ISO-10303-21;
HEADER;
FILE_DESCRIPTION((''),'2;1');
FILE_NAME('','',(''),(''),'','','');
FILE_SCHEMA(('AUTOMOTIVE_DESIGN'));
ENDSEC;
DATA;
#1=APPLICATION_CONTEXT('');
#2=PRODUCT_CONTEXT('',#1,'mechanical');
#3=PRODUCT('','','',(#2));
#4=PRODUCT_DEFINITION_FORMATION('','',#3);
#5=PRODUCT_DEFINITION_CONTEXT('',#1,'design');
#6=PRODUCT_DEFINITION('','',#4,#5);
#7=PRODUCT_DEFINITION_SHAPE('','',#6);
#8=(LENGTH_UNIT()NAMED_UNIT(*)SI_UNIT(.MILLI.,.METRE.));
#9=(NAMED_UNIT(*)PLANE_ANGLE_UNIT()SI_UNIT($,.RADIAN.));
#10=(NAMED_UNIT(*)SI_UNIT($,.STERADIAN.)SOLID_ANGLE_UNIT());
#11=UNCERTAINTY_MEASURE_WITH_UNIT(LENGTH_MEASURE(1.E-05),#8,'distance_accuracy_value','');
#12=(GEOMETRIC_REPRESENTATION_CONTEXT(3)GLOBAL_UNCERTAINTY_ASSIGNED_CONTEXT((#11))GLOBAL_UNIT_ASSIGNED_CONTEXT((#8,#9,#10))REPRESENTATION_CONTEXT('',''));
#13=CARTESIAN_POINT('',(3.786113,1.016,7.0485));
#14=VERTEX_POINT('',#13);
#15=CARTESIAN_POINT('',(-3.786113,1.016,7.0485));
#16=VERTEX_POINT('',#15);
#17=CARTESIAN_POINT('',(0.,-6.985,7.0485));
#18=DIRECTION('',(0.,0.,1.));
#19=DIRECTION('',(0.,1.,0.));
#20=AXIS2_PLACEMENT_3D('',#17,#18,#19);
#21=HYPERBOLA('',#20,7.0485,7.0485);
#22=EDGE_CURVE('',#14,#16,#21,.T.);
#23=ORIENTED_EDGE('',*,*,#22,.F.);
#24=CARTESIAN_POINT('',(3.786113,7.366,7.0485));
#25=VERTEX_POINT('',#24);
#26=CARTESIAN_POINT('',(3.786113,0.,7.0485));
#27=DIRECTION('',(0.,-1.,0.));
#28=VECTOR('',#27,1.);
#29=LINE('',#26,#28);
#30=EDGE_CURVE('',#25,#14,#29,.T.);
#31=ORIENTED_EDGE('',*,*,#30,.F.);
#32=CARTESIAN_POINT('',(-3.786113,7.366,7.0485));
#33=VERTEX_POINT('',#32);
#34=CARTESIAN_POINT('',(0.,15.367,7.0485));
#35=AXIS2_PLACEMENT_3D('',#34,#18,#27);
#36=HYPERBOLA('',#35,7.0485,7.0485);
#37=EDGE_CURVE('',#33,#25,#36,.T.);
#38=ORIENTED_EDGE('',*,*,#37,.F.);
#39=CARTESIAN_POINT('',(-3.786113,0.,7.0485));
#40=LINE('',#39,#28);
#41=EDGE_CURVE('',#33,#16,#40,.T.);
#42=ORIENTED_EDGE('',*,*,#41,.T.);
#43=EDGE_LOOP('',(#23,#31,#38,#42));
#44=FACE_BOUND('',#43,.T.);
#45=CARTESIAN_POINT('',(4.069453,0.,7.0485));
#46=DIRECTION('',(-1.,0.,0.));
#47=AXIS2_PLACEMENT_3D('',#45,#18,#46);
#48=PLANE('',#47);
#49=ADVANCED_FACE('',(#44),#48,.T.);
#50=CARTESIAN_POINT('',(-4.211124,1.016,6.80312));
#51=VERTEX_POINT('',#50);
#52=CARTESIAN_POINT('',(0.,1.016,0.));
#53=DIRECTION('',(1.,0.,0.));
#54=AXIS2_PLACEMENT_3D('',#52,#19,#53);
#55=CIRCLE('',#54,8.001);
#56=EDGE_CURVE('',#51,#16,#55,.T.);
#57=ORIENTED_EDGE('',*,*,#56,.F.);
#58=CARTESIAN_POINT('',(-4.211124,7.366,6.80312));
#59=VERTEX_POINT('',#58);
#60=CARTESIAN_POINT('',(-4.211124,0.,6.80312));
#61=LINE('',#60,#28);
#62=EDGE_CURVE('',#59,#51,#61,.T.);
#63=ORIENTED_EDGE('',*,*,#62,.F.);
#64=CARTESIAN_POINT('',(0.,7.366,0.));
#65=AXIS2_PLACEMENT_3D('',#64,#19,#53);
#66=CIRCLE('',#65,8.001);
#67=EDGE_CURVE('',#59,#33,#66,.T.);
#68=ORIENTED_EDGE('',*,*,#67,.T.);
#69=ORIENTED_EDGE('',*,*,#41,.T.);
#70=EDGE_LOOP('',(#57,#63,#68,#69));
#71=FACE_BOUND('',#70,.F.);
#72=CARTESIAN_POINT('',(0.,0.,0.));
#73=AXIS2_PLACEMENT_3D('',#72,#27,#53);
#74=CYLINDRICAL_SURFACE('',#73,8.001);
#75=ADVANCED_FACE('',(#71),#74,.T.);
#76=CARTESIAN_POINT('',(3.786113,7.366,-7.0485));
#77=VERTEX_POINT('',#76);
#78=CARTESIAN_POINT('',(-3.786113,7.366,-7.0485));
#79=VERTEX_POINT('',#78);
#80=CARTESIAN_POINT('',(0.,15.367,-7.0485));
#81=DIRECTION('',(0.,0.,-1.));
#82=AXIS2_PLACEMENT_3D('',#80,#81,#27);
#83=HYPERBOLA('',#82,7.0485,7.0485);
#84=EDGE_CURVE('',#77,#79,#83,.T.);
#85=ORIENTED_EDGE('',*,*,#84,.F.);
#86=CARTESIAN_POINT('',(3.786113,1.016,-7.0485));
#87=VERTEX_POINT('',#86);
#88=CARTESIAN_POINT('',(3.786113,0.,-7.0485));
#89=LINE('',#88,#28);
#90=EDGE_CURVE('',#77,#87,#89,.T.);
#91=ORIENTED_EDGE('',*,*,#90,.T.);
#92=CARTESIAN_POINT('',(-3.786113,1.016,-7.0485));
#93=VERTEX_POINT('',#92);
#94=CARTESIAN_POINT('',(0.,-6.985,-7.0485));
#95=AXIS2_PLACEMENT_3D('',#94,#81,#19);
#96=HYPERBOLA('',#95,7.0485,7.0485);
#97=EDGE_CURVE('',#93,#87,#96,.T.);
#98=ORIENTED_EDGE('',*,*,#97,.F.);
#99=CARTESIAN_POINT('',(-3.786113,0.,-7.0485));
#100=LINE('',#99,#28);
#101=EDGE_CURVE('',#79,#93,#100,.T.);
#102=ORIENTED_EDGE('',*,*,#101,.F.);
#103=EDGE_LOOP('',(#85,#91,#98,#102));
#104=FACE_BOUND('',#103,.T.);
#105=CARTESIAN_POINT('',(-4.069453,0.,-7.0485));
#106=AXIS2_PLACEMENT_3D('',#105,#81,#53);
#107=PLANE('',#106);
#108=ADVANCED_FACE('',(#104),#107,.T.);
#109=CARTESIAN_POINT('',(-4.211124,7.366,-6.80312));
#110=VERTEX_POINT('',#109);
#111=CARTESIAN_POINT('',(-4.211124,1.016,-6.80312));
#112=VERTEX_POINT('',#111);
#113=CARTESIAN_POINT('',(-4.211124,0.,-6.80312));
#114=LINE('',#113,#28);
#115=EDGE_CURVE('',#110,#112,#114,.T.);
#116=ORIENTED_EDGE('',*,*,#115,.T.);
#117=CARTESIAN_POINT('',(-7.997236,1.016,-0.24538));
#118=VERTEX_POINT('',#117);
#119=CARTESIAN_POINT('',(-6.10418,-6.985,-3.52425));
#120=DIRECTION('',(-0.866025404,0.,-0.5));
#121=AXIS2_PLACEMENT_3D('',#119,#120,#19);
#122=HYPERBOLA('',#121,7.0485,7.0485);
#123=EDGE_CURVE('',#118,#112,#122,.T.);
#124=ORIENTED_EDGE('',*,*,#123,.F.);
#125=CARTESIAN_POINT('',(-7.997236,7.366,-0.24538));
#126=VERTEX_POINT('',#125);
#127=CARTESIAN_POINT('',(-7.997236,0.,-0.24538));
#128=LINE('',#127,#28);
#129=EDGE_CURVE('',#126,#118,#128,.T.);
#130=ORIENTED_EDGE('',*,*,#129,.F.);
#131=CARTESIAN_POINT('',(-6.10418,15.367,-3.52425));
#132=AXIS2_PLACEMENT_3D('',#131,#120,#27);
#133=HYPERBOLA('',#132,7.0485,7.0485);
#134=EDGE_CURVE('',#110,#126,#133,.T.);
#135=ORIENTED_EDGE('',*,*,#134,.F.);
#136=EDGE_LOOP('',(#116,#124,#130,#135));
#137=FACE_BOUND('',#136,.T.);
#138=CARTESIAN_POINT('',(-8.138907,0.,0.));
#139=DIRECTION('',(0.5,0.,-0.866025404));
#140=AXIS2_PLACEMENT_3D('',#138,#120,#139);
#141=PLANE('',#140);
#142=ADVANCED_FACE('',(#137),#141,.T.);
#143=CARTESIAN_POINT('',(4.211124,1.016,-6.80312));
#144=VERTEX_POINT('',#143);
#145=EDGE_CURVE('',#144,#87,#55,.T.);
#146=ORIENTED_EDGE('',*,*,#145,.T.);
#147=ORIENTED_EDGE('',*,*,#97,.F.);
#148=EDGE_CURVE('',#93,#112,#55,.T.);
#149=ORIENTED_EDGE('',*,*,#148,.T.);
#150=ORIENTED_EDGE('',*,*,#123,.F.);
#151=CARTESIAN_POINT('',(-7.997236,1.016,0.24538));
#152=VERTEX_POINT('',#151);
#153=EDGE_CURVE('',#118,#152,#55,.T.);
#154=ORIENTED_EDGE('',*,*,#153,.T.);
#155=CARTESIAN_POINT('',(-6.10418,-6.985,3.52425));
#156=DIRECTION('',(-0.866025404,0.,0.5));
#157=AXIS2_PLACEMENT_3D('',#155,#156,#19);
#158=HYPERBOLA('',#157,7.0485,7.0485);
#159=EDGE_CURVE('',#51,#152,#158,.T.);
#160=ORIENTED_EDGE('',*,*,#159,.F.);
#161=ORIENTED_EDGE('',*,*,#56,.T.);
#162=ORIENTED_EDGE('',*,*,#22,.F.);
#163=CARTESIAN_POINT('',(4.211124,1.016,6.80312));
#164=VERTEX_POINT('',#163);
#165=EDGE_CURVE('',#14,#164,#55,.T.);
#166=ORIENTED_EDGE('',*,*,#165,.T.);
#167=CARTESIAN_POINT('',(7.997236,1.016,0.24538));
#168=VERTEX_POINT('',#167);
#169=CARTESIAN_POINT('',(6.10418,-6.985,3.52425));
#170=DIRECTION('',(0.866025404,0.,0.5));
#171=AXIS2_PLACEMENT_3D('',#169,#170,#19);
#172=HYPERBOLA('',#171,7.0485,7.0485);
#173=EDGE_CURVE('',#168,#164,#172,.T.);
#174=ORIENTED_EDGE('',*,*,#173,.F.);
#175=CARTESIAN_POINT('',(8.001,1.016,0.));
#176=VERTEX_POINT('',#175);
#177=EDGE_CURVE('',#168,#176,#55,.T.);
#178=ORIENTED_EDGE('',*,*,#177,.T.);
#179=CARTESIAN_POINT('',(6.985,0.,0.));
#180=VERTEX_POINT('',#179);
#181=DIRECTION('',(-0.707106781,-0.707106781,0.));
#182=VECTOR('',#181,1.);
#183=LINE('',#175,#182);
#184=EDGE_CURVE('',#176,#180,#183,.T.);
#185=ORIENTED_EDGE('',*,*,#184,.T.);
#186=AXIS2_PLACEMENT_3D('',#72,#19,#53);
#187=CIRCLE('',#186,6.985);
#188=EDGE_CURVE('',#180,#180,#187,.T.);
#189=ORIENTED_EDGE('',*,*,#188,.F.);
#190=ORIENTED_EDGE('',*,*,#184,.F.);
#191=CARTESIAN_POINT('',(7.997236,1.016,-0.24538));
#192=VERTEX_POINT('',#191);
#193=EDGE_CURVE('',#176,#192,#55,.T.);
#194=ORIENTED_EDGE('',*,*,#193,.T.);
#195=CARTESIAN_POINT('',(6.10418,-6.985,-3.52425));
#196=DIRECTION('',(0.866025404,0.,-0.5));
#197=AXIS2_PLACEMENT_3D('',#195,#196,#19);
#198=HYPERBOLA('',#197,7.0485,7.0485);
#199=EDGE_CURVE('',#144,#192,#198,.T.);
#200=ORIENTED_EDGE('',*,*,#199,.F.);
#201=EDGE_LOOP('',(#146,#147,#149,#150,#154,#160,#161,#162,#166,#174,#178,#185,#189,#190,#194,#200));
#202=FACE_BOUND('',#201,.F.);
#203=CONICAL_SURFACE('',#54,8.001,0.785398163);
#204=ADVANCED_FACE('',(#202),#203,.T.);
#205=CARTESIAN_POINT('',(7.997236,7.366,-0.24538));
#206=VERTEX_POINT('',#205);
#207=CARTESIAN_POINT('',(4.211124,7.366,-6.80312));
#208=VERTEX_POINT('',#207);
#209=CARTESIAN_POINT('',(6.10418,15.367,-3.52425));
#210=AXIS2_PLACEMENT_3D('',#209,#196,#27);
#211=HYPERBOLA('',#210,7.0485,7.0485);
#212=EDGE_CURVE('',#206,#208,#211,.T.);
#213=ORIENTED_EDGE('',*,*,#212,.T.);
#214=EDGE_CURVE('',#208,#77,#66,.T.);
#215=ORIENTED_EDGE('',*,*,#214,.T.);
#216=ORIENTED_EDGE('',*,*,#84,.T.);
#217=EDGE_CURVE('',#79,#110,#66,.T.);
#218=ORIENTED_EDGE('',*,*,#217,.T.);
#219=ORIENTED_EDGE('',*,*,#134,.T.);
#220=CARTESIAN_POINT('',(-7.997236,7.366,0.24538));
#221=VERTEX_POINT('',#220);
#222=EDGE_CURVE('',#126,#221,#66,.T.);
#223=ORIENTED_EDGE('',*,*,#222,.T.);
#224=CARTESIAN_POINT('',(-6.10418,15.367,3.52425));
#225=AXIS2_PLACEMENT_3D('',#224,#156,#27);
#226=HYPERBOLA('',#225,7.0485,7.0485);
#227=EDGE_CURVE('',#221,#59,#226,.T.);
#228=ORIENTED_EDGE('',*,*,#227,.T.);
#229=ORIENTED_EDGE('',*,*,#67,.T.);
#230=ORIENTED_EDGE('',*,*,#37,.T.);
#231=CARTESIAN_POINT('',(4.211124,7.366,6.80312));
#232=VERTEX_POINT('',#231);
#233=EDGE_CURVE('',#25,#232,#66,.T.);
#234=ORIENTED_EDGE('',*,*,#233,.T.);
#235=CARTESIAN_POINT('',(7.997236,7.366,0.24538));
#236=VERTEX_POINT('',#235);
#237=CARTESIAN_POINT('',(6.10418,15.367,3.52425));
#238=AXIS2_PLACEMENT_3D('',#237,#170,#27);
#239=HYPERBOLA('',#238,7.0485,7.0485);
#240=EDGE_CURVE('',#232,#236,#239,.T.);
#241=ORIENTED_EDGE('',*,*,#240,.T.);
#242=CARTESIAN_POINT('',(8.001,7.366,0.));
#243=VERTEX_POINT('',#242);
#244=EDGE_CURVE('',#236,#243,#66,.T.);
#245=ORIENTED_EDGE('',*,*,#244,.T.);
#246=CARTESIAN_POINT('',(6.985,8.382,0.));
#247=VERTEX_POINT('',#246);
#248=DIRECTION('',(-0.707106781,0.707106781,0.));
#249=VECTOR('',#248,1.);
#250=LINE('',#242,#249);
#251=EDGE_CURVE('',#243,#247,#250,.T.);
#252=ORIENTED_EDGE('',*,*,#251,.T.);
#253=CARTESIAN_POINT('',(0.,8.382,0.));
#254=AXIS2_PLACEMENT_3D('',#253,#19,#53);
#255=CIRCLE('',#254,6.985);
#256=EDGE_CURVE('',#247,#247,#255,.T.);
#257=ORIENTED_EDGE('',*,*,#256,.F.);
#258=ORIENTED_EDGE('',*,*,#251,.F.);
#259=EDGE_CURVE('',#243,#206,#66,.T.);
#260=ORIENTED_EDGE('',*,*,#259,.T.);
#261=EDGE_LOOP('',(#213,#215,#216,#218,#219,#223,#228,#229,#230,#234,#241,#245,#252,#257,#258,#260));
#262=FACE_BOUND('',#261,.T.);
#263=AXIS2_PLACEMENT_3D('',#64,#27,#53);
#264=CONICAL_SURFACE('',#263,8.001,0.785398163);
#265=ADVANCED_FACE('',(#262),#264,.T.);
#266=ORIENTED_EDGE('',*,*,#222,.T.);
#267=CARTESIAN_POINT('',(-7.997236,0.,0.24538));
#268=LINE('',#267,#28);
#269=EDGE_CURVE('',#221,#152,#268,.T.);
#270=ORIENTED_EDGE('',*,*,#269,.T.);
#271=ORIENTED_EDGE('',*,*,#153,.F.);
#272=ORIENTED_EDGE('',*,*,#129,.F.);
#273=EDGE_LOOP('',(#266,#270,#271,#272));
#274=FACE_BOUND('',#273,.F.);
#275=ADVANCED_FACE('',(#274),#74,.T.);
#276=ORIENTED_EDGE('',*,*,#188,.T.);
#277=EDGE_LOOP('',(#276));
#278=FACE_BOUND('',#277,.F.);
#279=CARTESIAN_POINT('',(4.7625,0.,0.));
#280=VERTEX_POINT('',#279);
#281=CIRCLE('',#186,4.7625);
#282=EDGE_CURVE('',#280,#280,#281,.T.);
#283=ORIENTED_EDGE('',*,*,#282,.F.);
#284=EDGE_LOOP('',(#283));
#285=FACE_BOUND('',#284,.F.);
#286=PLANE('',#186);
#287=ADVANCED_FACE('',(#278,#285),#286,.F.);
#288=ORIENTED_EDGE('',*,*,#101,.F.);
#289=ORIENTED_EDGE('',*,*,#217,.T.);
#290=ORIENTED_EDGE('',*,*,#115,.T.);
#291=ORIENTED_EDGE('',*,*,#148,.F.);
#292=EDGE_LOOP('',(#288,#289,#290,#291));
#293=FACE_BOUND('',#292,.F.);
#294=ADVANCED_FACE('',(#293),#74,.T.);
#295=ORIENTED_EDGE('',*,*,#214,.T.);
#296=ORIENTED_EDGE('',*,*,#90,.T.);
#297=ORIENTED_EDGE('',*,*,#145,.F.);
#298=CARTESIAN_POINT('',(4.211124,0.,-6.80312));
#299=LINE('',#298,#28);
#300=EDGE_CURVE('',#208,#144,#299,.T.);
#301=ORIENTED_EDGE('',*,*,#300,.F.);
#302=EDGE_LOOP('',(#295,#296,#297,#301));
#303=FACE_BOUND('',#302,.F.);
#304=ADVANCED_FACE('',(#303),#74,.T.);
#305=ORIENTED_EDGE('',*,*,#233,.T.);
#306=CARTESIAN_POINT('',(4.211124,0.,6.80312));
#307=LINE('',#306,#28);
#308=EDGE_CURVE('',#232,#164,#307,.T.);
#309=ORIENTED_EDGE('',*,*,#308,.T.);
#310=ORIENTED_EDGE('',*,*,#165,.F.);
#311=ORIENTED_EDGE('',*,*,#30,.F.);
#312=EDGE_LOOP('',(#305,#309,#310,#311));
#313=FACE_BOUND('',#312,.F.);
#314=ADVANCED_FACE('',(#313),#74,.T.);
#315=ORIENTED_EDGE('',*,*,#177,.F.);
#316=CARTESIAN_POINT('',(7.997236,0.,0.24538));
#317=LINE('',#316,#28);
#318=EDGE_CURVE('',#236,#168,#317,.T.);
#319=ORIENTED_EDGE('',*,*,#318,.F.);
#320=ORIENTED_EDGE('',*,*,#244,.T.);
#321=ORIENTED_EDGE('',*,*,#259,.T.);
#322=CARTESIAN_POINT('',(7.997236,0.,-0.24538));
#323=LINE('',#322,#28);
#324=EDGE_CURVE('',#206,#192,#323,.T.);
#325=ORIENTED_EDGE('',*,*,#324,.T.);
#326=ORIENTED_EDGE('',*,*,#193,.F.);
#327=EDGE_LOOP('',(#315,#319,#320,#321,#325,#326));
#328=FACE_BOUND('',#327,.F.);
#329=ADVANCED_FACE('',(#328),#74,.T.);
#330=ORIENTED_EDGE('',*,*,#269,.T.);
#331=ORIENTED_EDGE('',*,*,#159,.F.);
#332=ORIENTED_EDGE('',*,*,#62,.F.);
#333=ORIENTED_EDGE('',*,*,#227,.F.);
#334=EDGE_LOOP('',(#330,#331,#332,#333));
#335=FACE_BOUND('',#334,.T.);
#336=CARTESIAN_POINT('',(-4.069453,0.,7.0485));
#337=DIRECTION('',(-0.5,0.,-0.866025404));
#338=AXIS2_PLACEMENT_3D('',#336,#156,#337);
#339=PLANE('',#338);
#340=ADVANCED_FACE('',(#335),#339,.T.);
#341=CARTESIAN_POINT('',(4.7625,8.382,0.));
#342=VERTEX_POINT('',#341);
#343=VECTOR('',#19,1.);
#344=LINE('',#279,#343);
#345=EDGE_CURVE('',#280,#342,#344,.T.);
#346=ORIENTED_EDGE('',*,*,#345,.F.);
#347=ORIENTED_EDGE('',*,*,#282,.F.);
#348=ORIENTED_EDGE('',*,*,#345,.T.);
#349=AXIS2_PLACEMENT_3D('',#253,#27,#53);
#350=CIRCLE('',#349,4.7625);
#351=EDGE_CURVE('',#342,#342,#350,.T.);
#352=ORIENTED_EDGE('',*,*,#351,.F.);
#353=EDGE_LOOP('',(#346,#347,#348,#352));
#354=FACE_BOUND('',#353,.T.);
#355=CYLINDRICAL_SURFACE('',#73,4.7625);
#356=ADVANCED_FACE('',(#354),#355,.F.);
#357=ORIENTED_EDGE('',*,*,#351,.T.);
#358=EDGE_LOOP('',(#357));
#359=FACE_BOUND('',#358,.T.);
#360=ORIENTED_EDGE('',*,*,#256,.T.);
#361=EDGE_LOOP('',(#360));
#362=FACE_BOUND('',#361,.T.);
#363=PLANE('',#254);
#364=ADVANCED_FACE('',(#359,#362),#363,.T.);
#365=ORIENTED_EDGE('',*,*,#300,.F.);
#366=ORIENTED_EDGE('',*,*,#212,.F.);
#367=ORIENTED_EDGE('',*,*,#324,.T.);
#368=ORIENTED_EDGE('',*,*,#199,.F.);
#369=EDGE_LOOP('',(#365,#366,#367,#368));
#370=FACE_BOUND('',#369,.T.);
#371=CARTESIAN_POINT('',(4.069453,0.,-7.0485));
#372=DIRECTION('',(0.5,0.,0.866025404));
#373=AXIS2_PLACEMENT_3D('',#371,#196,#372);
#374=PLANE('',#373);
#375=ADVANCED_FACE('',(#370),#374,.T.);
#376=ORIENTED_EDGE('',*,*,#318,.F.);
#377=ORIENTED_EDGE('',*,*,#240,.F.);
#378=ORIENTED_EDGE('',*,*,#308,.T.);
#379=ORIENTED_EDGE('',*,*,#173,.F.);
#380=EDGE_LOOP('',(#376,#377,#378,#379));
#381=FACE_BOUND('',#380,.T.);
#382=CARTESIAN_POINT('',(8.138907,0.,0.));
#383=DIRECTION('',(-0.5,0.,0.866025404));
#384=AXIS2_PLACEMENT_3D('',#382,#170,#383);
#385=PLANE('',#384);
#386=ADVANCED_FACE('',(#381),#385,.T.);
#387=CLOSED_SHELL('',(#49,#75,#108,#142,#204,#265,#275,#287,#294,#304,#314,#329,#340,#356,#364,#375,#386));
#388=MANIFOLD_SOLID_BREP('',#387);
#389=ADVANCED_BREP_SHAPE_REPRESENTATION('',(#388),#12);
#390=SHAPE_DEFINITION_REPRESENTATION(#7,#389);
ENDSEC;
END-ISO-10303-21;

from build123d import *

# Parameters (mm, degrees)
SKETCH2_R      = 8.001
EXTRUDE2_DEPTH = 8.382
CHAMFER1_SIZE  = 1.016
EXTRUDE3_REACH = 10.382
SKETCH1_R      = 4.7625


with BuildPart() as part:
    # Sketch2 → Extrude2 (new body)
    with BuildSketch(Plane(origin=(0, 0, 0), x_dir=(1, 0, 0), z_dir=(0, 1, 0))):
        Circle(SKETCH2_R)
    extrude(amount=EXTRUDE2_DEPTH)

    # Chamfer1
    chamfer1_edges = [part.edges().sort_by_distance(p)[0] for p in [
        (-8.001, 0, 0),
        (-8.001, 8.382, 0),
    ]]
    chamfer(chamfer1_edges, length=CHAMFER1_SIZE)

    # Sketch1 → Extrude3 (cut, up to next)
    with BuildSketch(Plane(origin=(0, 0, 0), x_dir=(1, 0, 0), z_dir=(0, 1, 0)), mode=Mode.PRIVATE) as extrude3_sk1:
        with BuildLine():
            ThreePointArc((-8.138906745, 0), (-7.0485, -4.069453372), (-4.069453372, -7.0485))
            Line((-4.069453372, -7.0485), (-8.138906745, 0))
        make_face()
    extrude3_tool1 = extrude(extrude3_sk1.sketch, amount=EXTRUDE3_REACH, mode=Mode.PRIVATE) & part.part
    add(extrude3_tool1.solids().sort_by_distance((-6.484164, 0, 3.743634))[0], mode=Mode.SUBTRACT)
    # Sketch1 → Extrude3 (cut, up to next)
    with BuildSketch(Plane(origin=(0, 0, 0), x_dir=(1, 0, 0), z_dir=(0, 1, 0)), mode=Mode.PRIVATE) as extrude3_sk2:
        with BuildLine():
            ThreePointArc((-4.069453372, 7.0485), (-7.0485, 4.069453372), (-8.138906745, 0))
            Line((-8.138906745, 0), (-4.069453372, 7.0485))
        make_face()
    extrude3_tool2 = extrude(extrude3_sk2.sketch, amount=EXTRUDE3_REACH, mode=Mode.PRIVATE) & part.part
    add(extrude3_tool2.solids().sort_by_distance((-6.484164, 0, -3.743634))[0], mode=Mode.SUBTRACT)
    # Sketch1 → Extrude3 (cut, up to next)
    with BuildSketch(Plane(origin=(0, 0, 0), x_dir=(1, 0, 0), z_dir=(0, 1, 0)), mode=Mode.PRIVATE) as extrude3_sk3:
        Circle(SKETCH1_R)
    extrude3_tool3 = extrude(extrude3_sk3.sketch, amount=EXTRUDE3_REACH, mode=Mode.PRIVATE) & part.part
    add(extrude3_tool3.solids().sort_by_distance((0, 0, 0))[0], mode=Mode.SUBTRACT)
    # Sketch1 → Extrude3 (cut, up to next)
    with BuildSketch(Plane(origin=(0, 0, 0), x_dir=(1, 0, 0), z_dir=(0, 1, 0)), mode=Mode.PRIVATE) as extrude3_sk4:
        with BuildLine():
            Line((-4.069453372, 7.0485), (4.069453372, 7.0485))
            ThreePointArc((4.069453372, 7.0485), (0, 8.138906745), (-4.069453372, 7.0485))
        make_face()
    extrude3_tool4 = extrude(extrude3_sk4.sketch, amount=EXTRUDE3_REACH, mode=Mode.PRIVATE) & part.part
    add(extrude3_tool4.solids().sort_by_distance((0, 0, -7.487268))[0], mode=Mode.SUBTRACT)
    # Sketch1 → Extrude3 (cut, up to next)
    with BuildSketch(Plane(origin=(0, 0, 0), x_dir=(1, 0, 0), z_dir=(0, 1, 0)), mode=Mode.PRIVATE) as extrude3_sk5:
        with BuildLine():
            Line((4.069453372, 7.0485), (8.138906745, 0))
            ThreePointArc((8.138906745, 0), (7.0485, 4.069453372), (4.069453372, 7.0485))
        make_face()
    extrude3_tool5 = extrude(extrude3_sk5.sketch, amount=EXTRUDE3_REACH, mode=Mode.PRIVATE) & part.part
    add(extrude3_tool5.solids().sort_by_distance((6.484164, 0, -3.743634))[0], mode=Mode.SUBTRACT)
    # Sketch1 → Extrude3 (cut, up to next)
    with BuildSketch(Plane(origin=(0, 0, 0), x_dir=(1, 0, 0), z_dir=(0, 1, 0)), mode=Mode.PRIVATE) as extrude3_sk6:
        with BuildLine():
            Line((8.138906745, 0), (4.069453372, -7.0485))
            ThreePointArc((4.069453372, -7.0485), (7.0485, -4.069453372), (8.138906745, 0))
        make_face()
    extrude3_tool6 = extrude(extrude3_sk6.sketch, amount=EXTRUDE3_REACH, mode=Mode.PRIVATE) & part.part
    add(extrude3_tool6.solids().sort_by_distance((6.484164, 0, 3.743634))[0], mode=Mode.SUBTRACT)
    # Sketch1 → Extrude3 (cut, up to next)
    with BuildSketch(Plane(origin=(0, 0, 0), x_dir=(1, 0, 0), z_dir=(0, 1, 0)), mode=Mode.PRIVATE) as extrude3_sk7:
        with BuildLine():
            ThreePointArc((-4.069453372, -7.0485), (0, -8.138906745), (4.069453372, -7.0485))
            Line((4.069453372, -7.0485), (-4.069453372, -7.0485))
        make_face()
    extrude3_tool7 = extrude(extrude3_sk7.sketch, amount=EXTRUDE3_REACH, mode=Mode.PRIVATE) & part.part
    add(extrude3_tool7.solids().sort_by_distance((0, 0, 7.487268))[0], mode=Mode.SUBTRACT)


solid = part.part
